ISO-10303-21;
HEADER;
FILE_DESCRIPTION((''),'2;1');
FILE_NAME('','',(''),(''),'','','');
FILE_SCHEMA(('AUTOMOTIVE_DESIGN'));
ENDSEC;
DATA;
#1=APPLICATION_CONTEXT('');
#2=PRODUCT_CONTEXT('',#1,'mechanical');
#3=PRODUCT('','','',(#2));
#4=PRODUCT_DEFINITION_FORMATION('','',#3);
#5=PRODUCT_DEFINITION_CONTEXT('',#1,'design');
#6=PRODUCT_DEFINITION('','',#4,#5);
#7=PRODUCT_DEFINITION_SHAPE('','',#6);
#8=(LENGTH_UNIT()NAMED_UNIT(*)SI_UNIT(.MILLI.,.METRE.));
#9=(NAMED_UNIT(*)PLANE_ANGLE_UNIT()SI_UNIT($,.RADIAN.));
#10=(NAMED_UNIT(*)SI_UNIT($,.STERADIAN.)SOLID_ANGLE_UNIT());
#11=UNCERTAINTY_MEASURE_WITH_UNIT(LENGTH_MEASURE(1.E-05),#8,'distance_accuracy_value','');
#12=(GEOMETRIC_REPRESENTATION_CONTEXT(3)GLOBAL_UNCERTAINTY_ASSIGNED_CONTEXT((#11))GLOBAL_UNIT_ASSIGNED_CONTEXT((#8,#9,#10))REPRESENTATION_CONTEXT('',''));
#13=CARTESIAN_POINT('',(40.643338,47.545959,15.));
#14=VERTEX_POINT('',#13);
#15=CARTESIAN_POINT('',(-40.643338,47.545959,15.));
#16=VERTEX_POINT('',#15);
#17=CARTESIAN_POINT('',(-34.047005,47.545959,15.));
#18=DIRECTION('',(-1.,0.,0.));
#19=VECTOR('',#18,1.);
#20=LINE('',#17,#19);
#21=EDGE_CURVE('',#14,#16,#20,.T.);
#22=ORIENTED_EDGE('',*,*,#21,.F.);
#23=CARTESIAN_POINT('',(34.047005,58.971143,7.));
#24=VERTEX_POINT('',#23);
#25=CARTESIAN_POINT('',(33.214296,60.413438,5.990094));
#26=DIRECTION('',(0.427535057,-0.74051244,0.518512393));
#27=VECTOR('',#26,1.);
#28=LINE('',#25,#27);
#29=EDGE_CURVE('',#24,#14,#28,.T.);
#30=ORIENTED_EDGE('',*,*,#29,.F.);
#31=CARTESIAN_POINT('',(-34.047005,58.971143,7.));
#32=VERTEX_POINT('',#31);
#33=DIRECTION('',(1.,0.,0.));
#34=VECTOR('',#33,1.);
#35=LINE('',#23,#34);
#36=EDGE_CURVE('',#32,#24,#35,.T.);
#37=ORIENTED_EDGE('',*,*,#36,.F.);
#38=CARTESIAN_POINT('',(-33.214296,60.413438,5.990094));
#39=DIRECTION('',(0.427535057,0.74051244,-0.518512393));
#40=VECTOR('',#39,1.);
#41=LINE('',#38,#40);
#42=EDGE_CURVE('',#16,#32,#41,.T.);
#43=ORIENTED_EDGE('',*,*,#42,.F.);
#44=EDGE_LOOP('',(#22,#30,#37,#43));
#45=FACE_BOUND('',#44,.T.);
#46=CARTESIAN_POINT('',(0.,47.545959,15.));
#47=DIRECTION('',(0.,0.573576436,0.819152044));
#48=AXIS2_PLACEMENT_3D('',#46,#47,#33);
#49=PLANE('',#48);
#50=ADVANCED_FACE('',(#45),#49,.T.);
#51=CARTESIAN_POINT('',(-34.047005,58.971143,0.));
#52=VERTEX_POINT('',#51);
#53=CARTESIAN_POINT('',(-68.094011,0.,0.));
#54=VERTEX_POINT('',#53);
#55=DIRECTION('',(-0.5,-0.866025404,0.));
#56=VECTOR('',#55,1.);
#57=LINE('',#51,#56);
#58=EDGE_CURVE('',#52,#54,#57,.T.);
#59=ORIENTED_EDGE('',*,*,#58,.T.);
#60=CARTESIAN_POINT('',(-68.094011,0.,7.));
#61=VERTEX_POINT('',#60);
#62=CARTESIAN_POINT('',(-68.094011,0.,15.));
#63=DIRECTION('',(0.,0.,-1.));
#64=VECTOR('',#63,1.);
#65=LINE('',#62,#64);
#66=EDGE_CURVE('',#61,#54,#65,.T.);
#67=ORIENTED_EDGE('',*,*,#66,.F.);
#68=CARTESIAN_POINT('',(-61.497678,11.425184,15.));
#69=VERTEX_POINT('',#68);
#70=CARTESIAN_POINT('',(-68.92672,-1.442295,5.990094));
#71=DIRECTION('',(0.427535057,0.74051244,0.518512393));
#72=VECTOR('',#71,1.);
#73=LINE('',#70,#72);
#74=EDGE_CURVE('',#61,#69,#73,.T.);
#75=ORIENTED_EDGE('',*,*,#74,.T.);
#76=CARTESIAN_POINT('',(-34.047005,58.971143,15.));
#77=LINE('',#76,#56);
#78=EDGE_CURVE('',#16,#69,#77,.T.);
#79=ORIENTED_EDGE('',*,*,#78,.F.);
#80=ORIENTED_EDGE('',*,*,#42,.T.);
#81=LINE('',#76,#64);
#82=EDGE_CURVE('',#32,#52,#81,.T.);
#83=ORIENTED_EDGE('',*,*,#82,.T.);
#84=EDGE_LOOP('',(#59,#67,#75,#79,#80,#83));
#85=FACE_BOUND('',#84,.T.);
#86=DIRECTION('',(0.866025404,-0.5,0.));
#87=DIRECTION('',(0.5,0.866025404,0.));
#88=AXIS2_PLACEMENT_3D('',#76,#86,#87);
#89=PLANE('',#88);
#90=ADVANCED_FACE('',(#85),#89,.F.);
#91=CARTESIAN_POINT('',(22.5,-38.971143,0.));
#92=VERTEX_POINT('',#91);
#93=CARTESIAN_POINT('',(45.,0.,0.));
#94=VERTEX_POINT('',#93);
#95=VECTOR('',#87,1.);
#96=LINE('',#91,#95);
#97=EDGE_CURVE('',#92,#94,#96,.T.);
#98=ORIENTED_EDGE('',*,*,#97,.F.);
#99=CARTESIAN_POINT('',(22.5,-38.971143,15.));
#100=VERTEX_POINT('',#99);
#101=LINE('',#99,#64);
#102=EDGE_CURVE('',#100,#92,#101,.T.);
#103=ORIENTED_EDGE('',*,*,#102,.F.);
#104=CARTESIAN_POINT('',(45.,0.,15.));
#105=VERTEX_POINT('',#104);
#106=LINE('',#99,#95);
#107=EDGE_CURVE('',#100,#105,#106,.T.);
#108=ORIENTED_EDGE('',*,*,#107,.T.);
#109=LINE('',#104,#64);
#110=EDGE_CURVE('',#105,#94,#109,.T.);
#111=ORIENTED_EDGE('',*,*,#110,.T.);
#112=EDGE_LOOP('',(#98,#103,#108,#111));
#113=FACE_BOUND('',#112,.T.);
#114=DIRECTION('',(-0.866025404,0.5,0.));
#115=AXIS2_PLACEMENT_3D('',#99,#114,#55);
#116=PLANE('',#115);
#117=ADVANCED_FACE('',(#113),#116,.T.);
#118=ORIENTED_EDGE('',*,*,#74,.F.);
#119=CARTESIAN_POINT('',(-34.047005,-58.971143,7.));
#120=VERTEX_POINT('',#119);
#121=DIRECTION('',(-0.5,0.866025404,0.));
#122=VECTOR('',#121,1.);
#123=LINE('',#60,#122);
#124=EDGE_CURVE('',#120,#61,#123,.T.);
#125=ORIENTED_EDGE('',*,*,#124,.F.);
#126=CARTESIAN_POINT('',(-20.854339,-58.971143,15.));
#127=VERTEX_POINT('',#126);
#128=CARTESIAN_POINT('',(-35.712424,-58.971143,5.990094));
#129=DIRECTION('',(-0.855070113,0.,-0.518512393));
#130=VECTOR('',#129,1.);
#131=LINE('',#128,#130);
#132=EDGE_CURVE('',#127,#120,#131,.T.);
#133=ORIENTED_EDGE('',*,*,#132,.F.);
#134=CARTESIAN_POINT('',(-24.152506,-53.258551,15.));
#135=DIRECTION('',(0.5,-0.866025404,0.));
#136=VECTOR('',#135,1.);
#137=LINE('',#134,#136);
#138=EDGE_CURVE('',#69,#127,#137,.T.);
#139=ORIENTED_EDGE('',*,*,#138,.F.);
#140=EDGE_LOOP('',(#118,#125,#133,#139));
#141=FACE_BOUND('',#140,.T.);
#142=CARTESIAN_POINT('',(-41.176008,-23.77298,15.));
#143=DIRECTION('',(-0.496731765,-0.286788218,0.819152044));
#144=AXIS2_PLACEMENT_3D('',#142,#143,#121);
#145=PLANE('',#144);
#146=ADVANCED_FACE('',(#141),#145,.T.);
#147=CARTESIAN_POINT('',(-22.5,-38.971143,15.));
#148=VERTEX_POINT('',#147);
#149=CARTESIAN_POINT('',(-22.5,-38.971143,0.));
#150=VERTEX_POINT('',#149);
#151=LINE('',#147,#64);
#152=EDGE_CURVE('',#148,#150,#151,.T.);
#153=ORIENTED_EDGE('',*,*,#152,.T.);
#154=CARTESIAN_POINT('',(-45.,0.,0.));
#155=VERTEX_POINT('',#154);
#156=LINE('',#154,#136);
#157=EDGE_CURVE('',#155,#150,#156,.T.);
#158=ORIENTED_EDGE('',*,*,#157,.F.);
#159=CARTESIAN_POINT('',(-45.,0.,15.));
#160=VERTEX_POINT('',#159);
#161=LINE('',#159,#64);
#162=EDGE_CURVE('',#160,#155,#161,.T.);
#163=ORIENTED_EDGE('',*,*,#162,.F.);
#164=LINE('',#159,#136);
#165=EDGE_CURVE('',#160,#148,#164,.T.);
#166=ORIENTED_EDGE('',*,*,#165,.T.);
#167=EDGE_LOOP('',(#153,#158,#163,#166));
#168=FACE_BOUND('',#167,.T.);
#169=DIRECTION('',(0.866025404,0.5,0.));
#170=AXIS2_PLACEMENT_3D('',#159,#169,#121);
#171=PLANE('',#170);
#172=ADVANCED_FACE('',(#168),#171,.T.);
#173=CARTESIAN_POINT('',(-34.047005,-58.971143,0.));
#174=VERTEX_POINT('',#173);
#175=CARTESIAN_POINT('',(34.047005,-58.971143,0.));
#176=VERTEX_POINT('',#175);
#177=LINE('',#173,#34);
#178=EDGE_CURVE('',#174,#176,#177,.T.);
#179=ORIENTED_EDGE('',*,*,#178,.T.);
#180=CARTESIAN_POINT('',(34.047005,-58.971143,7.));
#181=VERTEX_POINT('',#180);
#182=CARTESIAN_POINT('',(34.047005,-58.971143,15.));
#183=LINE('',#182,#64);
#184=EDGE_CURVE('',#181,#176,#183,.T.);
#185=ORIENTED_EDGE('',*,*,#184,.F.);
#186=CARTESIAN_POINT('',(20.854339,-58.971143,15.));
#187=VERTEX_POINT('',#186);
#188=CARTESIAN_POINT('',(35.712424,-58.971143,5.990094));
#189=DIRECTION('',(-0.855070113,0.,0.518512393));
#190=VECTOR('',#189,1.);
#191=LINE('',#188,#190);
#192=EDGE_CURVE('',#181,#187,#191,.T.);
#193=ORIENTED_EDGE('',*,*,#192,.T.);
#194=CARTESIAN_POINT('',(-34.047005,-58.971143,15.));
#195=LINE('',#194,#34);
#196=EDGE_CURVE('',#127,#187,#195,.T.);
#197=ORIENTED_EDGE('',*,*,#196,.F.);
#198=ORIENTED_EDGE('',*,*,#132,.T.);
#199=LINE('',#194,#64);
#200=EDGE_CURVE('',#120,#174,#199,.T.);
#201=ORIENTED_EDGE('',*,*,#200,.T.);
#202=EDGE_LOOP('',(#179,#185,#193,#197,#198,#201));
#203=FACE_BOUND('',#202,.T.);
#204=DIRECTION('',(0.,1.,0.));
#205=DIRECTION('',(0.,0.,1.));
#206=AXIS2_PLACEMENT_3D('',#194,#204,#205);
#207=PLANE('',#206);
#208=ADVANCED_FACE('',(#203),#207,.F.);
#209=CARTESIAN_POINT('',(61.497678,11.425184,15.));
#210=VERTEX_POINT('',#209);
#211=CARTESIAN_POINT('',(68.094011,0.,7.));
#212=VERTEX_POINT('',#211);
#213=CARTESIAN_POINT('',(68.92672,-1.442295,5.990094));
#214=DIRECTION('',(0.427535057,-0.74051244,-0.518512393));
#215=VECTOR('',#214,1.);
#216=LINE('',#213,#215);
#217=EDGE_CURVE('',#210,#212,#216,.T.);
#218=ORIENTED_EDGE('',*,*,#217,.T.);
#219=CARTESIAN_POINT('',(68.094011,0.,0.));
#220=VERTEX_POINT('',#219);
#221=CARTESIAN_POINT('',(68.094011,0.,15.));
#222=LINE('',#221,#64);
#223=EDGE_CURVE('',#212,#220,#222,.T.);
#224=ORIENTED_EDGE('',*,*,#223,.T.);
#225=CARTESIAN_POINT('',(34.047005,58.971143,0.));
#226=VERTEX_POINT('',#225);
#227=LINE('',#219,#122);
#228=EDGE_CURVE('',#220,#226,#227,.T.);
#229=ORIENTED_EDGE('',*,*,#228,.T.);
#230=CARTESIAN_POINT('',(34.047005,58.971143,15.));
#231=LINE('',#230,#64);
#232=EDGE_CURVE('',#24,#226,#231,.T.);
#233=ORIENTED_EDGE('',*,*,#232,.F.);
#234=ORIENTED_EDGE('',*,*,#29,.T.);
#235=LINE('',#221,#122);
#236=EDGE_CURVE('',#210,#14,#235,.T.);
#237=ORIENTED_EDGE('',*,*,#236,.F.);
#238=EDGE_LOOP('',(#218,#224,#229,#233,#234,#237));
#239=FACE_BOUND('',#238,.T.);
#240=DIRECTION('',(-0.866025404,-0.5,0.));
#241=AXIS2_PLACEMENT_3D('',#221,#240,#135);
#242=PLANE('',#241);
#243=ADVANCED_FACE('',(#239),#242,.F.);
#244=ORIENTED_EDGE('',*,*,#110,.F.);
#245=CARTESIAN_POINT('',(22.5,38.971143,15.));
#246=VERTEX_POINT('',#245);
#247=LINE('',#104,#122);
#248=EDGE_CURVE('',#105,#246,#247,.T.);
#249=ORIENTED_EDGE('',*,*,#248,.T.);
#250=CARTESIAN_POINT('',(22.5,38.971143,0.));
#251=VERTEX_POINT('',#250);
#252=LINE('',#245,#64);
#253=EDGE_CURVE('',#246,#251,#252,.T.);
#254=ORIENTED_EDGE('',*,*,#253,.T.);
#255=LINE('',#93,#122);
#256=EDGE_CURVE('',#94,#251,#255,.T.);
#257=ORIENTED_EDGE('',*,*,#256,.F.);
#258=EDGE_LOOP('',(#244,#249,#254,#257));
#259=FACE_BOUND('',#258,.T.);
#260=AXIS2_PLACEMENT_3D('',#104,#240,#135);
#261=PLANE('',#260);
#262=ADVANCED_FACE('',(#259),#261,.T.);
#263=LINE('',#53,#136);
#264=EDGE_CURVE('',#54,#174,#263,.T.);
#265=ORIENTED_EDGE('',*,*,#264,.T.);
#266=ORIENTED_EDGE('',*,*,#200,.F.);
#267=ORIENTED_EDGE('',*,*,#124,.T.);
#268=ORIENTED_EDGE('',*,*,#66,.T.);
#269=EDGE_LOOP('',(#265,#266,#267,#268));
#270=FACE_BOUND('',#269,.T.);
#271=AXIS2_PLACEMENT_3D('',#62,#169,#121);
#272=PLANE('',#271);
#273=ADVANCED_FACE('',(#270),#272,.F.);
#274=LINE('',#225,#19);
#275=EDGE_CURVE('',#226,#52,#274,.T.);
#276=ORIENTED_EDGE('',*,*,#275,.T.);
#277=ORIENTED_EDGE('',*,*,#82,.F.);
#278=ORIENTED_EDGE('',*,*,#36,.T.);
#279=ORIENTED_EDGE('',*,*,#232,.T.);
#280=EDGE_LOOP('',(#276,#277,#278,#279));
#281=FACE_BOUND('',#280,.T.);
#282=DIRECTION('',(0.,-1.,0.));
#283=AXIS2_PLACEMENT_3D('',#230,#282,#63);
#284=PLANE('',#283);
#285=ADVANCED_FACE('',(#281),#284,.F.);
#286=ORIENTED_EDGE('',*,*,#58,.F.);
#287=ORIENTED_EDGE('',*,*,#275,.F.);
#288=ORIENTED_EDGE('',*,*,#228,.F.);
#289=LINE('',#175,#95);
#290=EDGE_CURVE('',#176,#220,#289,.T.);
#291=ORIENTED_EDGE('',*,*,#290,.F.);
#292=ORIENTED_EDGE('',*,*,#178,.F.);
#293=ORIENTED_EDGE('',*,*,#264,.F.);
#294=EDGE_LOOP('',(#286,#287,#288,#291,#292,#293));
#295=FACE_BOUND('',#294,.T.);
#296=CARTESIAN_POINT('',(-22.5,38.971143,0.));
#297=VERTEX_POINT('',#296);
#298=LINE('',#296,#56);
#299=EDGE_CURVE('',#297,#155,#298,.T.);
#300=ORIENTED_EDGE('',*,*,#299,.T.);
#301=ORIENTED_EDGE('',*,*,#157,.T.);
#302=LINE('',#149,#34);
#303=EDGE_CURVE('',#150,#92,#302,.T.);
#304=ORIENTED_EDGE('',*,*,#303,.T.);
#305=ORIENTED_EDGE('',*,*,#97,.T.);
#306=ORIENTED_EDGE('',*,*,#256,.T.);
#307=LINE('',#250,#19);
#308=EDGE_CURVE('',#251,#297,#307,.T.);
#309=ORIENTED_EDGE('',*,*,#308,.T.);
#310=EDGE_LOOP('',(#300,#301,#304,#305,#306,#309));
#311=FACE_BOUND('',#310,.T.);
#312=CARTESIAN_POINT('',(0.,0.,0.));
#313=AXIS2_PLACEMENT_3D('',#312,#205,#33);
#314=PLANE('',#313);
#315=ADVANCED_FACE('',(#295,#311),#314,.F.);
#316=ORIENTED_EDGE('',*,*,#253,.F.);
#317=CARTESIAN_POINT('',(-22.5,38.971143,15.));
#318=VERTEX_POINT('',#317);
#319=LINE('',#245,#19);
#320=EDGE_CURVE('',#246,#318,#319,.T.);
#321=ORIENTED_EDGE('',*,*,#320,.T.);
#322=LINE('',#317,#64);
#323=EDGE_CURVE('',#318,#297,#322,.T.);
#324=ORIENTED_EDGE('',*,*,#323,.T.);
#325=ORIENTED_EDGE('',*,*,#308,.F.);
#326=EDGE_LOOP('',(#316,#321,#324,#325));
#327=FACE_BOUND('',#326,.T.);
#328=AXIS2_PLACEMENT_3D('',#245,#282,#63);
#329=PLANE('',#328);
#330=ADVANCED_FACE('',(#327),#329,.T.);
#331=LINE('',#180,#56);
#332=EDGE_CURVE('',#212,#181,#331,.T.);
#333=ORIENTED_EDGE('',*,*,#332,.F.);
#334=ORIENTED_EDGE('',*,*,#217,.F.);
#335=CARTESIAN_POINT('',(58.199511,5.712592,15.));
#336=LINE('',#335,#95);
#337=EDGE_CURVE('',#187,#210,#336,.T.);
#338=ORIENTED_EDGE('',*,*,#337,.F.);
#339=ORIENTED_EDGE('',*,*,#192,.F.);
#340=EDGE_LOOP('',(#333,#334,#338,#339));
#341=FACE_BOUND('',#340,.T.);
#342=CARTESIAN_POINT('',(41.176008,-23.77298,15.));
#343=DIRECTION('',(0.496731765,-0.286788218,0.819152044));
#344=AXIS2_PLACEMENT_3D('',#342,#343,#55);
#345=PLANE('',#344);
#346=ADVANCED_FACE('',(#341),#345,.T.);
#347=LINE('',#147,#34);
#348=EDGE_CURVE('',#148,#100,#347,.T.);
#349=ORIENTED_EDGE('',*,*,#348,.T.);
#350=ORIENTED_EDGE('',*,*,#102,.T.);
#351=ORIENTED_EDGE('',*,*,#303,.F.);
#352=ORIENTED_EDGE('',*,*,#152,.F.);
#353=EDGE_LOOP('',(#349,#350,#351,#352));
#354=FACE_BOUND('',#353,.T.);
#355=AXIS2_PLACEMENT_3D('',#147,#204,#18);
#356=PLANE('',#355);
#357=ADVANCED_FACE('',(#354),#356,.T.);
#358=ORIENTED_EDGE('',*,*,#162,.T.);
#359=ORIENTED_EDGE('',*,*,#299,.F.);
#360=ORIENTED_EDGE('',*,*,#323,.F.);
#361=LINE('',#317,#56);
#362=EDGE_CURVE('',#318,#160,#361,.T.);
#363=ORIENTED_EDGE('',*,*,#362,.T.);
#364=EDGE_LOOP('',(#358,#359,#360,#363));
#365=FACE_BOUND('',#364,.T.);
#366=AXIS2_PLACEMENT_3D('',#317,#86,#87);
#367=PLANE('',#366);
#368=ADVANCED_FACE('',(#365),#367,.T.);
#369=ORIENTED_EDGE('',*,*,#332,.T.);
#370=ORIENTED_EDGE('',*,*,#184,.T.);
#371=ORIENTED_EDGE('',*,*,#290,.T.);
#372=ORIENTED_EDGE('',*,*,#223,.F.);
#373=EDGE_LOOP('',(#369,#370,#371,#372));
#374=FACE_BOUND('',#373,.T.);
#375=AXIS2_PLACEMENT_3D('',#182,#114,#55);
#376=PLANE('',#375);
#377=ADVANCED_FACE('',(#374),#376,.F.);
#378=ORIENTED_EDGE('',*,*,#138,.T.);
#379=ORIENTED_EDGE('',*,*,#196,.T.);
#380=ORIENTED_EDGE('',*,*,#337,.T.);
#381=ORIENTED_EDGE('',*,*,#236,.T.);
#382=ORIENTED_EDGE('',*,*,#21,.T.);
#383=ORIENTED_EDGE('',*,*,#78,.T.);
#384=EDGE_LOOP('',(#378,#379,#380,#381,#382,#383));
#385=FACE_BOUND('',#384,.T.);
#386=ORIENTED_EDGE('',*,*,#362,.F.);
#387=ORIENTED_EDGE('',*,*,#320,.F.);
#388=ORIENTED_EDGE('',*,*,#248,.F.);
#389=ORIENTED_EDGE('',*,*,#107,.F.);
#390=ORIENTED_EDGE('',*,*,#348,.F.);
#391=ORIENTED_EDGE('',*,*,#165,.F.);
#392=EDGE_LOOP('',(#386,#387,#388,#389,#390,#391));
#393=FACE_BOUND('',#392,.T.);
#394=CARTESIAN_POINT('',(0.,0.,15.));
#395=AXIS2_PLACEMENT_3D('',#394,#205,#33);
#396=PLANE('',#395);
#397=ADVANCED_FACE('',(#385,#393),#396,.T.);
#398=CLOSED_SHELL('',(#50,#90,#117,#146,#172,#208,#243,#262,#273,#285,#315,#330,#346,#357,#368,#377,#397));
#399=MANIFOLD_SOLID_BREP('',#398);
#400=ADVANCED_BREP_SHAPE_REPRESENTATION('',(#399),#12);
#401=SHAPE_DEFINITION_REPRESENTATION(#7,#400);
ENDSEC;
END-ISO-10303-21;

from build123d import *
from OCP.BRepFilletAPI import BRepFilletAPI_MakeChamfer

# Parameters (mm, degrees)
BOSS_EXTRUDE1_DEPTH = 15
CHAMFER1_SIZE       = 8
CHAMFER1_SIZE2      = 11.425184054


with BuildPart() as part:
    # Sketch1 → Boss-Extrude1 (new body)
    with BuildSketch(Plane.XY):
        Polygon((34.047005384, 58.97114317), (-34.047005384, 58.97114317), (-68.094010768, 0), (-34.047005384, -58.97114317), (34.047005384, -58.97114317), (68.094010768, 0), align=None)
        Polygon((45, 0), (22.5, 38.97114317), (-22.5, 38.97114317), (-45, 0), (-22.5, -38.97114317), (22.5, -38.97114317), align=None, mode=Mode.SUBTRACT)
    extrude(amount=BOSS_EXTRUDE1_DEPTH)

    # Chamfer1: one chamfer whose edges measure the first distance from different faces: ONE call of the kernel's chamfer builder (chamfer() names one face for all edges)
    chamfer1_edges_1 = [part.edges().sort_by_distance(p)[0] for p in [
        (-51.070508076, -29.485571585, 15),
    ]]
    chamfer1_side_1 = [part.faces().sort_by_distance(p)[0] for p in [
        (-51.070508076, -29.485571585, 7.5),
    ]]
    chamfer1_edges_2 = [part.edges().sort_by_distance(p)[0] for p in [
        (51.070508076, -29.485571585, 15),
    ]]
    chamfer1_side_2 = [part.faces().sort_by_distance(p)[0] for p in [
        (51.070508076, -29.485571585, 7.5),
    ]]
    chamfer1_edges_3 = [part.edges().sort_by_distance(p)[0] for p in [
        (0, 58.97114317, 15),
    ]]
    chamfer1_side_3 = [part.faces().sort_by_distance(p)[0] for p in [
        (0, 58.97114317, 7.5),
    ]]
    chamfer1 = BRepFilletAPI_MakeChamfer(part.part.solid().wrapped)
    for e in chamfer1_edges_1:
        chamfer1.Add(CHAMFER1_SIZE, CHAMFER1_SIZE2, e.wrapped, chamfer1_side_1[0].wrapped)  # the first distance lies on this face
    for e in chamfer1_edges_2:
        chamfer1.Add(CHAMFER1_SIZE, CHAMFER1_SIZE2, e.wrapped, chamfer1_side_2[0].wrapped)  # the first distance lies on this face
    for e in chamfer1_edges_3:
        chamfer1.Add(CHAMFER1_SIZE, CHAMFER1_SIZE2, e.wrapped, chamfer1_side_3[0].wrapped)  # the first distance lies on this face
    add(Compound.cast(chamfer1.Shape()), mode=Mode.REPLACE)


solid = part.part
